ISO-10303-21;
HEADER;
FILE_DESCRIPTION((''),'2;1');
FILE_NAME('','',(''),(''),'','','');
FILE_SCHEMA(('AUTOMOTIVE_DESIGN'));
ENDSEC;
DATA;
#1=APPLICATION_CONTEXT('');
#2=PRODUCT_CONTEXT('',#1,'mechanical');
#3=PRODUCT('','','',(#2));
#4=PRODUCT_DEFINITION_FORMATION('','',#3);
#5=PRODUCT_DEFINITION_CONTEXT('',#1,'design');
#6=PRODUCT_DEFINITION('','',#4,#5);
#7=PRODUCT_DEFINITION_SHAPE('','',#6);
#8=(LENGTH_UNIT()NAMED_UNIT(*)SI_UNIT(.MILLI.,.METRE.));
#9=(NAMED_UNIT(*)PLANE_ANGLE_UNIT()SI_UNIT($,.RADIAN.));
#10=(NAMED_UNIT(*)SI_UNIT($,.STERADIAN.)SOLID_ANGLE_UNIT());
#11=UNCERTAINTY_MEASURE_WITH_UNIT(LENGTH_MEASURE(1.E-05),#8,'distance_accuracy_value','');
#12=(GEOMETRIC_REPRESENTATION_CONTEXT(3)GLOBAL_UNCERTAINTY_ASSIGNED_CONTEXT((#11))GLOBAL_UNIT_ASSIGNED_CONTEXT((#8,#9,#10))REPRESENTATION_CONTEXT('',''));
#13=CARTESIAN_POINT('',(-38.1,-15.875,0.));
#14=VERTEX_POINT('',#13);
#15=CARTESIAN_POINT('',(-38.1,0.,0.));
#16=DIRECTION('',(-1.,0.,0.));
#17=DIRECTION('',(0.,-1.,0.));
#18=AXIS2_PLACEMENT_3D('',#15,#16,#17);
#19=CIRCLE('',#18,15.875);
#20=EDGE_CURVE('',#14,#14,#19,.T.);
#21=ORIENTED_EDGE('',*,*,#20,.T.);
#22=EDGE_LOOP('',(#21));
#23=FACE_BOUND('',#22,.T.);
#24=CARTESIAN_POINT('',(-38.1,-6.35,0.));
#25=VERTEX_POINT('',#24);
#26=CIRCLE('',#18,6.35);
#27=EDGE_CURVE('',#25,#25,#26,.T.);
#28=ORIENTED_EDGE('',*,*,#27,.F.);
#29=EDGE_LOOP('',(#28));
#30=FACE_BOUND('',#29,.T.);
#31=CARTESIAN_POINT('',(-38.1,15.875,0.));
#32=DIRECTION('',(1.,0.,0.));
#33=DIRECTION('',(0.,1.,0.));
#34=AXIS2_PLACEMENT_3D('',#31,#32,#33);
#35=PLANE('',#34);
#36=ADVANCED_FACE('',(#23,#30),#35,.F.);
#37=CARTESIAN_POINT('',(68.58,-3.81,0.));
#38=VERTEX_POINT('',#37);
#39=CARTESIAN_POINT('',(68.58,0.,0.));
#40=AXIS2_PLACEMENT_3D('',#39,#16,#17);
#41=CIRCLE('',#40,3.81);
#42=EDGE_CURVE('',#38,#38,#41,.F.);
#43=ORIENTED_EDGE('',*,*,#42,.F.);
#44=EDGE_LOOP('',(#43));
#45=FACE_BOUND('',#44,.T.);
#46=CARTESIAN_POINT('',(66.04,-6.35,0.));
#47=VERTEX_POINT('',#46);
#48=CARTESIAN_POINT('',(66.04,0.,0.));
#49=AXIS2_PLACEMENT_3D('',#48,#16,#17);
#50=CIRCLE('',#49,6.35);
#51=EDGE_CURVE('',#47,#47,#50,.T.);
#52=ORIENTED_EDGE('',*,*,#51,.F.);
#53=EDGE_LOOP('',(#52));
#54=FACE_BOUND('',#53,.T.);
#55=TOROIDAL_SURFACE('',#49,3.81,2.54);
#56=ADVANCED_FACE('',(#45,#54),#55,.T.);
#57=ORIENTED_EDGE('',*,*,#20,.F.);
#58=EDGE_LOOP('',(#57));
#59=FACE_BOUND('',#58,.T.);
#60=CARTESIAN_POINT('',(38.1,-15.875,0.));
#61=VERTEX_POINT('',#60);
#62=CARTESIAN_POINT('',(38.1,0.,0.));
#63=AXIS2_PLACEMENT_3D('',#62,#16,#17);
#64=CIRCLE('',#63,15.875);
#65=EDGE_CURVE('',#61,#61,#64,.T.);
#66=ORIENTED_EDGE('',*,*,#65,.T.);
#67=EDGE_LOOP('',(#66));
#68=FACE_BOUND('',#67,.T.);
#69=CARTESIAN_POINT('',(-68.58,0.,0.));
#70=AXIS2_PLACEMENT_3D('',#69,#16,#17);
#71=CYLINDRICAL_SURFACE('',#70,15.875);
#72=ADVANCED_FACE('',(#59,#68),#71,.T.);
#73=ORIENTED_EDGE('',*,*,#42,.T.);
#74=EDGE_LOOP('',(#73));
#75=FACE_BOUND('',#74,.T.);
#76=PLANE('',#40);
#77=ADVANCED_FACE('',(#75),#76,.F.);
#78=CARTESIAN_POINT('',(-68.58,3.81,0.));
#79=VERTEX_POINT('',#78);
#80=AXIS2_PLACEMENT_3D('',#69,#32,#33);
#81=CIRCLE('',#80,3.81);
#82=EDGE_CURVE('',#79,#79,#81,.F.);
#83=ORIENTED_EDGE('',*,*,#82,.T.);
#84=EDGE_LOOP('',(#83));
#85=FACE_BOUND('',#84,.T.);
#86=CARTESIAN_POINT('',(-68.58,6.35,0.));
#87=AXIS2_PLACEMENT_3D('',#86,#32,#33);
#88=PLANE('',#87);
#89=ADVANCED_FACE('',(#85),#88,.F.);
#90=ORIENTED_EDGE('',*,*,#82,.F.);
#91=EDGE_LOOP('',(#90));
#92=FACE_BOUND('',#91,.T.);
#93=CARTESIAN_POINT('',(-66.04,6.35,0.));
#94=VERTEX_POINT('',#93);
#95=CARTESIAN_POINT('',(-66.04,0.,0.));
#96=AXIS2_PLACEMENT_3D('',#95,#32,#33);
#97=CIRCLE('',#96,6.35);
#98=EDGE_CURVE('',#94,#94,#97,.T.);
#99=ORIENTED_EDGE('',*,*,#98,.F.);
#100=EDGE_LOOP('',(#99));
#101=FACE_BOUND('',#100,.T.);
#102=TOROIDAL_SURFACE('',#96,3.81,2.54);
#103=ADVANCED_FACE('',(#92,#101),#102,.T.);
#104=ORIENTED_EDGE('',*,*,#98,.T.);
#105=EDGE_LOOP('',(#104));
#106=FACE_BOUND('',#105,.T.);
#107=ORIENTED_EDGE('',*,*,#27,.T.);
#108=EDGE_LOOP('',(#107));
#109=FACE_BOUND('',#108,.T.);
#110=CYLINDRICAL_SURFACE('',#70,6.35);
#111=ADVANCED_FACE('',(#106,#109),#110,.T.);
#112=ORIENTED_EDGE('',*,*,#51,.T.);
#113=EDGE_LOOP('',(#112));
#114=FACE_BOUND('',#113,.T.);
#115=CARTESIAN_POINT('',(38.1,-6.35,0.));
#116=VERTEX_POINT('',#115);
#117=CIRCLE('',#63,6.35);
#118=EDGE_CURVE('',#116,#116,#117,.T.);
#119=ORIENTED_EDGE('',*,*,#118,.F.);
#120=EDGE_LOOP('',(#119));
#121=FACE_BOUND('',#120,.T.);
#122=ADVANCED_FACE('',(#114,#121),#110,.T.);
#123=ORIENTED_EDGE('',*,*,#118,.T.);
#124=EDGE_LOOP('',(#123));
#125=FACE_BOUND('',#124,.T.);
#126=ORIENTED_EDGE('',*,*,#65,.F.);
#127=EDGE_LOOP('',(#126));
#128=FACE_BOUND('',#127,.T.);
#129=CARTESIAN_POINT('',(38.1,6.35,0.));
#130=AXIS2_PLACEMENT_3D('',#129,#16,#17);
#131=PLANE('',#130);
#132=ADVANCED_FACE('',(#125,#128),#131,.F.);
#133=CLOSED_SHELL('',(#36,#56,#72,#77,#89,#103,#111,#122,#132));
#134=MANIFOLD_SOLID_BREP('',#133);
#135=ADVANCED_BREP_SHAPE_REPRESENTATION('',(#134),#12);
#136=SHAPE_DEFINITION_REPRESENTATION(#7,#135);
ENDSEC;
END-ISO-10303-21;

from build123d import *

# Parameters (mm, degrees)
FILLET1_R = 2.54


with BuildPart() as part:
    # Sketch1 → Revolve2 (revolve)
    with BuildSketch(Plane.XY):
        Polygon((-68.58, 0), (68.58, 0), (68.58, 6.35), (38.1, 6.35), (38.1, 15.875), (-38.1, 15.875), (-38.1, 6.35), (-68.58, 6.35), align=None)
    revolve(axis=Axis((-68.58, 0, 0), (1, 0, 0)))

    # Fillet1
    fillet1_edges = [part.edges().sort_by_distance(p)[0] for p in [
        (-68.58, -6.35, 0),
        (68.58, -6.35, 0),
    ]]
    fillet(fillet1_edges, radius=FILLET1_R)


solid = part.part
